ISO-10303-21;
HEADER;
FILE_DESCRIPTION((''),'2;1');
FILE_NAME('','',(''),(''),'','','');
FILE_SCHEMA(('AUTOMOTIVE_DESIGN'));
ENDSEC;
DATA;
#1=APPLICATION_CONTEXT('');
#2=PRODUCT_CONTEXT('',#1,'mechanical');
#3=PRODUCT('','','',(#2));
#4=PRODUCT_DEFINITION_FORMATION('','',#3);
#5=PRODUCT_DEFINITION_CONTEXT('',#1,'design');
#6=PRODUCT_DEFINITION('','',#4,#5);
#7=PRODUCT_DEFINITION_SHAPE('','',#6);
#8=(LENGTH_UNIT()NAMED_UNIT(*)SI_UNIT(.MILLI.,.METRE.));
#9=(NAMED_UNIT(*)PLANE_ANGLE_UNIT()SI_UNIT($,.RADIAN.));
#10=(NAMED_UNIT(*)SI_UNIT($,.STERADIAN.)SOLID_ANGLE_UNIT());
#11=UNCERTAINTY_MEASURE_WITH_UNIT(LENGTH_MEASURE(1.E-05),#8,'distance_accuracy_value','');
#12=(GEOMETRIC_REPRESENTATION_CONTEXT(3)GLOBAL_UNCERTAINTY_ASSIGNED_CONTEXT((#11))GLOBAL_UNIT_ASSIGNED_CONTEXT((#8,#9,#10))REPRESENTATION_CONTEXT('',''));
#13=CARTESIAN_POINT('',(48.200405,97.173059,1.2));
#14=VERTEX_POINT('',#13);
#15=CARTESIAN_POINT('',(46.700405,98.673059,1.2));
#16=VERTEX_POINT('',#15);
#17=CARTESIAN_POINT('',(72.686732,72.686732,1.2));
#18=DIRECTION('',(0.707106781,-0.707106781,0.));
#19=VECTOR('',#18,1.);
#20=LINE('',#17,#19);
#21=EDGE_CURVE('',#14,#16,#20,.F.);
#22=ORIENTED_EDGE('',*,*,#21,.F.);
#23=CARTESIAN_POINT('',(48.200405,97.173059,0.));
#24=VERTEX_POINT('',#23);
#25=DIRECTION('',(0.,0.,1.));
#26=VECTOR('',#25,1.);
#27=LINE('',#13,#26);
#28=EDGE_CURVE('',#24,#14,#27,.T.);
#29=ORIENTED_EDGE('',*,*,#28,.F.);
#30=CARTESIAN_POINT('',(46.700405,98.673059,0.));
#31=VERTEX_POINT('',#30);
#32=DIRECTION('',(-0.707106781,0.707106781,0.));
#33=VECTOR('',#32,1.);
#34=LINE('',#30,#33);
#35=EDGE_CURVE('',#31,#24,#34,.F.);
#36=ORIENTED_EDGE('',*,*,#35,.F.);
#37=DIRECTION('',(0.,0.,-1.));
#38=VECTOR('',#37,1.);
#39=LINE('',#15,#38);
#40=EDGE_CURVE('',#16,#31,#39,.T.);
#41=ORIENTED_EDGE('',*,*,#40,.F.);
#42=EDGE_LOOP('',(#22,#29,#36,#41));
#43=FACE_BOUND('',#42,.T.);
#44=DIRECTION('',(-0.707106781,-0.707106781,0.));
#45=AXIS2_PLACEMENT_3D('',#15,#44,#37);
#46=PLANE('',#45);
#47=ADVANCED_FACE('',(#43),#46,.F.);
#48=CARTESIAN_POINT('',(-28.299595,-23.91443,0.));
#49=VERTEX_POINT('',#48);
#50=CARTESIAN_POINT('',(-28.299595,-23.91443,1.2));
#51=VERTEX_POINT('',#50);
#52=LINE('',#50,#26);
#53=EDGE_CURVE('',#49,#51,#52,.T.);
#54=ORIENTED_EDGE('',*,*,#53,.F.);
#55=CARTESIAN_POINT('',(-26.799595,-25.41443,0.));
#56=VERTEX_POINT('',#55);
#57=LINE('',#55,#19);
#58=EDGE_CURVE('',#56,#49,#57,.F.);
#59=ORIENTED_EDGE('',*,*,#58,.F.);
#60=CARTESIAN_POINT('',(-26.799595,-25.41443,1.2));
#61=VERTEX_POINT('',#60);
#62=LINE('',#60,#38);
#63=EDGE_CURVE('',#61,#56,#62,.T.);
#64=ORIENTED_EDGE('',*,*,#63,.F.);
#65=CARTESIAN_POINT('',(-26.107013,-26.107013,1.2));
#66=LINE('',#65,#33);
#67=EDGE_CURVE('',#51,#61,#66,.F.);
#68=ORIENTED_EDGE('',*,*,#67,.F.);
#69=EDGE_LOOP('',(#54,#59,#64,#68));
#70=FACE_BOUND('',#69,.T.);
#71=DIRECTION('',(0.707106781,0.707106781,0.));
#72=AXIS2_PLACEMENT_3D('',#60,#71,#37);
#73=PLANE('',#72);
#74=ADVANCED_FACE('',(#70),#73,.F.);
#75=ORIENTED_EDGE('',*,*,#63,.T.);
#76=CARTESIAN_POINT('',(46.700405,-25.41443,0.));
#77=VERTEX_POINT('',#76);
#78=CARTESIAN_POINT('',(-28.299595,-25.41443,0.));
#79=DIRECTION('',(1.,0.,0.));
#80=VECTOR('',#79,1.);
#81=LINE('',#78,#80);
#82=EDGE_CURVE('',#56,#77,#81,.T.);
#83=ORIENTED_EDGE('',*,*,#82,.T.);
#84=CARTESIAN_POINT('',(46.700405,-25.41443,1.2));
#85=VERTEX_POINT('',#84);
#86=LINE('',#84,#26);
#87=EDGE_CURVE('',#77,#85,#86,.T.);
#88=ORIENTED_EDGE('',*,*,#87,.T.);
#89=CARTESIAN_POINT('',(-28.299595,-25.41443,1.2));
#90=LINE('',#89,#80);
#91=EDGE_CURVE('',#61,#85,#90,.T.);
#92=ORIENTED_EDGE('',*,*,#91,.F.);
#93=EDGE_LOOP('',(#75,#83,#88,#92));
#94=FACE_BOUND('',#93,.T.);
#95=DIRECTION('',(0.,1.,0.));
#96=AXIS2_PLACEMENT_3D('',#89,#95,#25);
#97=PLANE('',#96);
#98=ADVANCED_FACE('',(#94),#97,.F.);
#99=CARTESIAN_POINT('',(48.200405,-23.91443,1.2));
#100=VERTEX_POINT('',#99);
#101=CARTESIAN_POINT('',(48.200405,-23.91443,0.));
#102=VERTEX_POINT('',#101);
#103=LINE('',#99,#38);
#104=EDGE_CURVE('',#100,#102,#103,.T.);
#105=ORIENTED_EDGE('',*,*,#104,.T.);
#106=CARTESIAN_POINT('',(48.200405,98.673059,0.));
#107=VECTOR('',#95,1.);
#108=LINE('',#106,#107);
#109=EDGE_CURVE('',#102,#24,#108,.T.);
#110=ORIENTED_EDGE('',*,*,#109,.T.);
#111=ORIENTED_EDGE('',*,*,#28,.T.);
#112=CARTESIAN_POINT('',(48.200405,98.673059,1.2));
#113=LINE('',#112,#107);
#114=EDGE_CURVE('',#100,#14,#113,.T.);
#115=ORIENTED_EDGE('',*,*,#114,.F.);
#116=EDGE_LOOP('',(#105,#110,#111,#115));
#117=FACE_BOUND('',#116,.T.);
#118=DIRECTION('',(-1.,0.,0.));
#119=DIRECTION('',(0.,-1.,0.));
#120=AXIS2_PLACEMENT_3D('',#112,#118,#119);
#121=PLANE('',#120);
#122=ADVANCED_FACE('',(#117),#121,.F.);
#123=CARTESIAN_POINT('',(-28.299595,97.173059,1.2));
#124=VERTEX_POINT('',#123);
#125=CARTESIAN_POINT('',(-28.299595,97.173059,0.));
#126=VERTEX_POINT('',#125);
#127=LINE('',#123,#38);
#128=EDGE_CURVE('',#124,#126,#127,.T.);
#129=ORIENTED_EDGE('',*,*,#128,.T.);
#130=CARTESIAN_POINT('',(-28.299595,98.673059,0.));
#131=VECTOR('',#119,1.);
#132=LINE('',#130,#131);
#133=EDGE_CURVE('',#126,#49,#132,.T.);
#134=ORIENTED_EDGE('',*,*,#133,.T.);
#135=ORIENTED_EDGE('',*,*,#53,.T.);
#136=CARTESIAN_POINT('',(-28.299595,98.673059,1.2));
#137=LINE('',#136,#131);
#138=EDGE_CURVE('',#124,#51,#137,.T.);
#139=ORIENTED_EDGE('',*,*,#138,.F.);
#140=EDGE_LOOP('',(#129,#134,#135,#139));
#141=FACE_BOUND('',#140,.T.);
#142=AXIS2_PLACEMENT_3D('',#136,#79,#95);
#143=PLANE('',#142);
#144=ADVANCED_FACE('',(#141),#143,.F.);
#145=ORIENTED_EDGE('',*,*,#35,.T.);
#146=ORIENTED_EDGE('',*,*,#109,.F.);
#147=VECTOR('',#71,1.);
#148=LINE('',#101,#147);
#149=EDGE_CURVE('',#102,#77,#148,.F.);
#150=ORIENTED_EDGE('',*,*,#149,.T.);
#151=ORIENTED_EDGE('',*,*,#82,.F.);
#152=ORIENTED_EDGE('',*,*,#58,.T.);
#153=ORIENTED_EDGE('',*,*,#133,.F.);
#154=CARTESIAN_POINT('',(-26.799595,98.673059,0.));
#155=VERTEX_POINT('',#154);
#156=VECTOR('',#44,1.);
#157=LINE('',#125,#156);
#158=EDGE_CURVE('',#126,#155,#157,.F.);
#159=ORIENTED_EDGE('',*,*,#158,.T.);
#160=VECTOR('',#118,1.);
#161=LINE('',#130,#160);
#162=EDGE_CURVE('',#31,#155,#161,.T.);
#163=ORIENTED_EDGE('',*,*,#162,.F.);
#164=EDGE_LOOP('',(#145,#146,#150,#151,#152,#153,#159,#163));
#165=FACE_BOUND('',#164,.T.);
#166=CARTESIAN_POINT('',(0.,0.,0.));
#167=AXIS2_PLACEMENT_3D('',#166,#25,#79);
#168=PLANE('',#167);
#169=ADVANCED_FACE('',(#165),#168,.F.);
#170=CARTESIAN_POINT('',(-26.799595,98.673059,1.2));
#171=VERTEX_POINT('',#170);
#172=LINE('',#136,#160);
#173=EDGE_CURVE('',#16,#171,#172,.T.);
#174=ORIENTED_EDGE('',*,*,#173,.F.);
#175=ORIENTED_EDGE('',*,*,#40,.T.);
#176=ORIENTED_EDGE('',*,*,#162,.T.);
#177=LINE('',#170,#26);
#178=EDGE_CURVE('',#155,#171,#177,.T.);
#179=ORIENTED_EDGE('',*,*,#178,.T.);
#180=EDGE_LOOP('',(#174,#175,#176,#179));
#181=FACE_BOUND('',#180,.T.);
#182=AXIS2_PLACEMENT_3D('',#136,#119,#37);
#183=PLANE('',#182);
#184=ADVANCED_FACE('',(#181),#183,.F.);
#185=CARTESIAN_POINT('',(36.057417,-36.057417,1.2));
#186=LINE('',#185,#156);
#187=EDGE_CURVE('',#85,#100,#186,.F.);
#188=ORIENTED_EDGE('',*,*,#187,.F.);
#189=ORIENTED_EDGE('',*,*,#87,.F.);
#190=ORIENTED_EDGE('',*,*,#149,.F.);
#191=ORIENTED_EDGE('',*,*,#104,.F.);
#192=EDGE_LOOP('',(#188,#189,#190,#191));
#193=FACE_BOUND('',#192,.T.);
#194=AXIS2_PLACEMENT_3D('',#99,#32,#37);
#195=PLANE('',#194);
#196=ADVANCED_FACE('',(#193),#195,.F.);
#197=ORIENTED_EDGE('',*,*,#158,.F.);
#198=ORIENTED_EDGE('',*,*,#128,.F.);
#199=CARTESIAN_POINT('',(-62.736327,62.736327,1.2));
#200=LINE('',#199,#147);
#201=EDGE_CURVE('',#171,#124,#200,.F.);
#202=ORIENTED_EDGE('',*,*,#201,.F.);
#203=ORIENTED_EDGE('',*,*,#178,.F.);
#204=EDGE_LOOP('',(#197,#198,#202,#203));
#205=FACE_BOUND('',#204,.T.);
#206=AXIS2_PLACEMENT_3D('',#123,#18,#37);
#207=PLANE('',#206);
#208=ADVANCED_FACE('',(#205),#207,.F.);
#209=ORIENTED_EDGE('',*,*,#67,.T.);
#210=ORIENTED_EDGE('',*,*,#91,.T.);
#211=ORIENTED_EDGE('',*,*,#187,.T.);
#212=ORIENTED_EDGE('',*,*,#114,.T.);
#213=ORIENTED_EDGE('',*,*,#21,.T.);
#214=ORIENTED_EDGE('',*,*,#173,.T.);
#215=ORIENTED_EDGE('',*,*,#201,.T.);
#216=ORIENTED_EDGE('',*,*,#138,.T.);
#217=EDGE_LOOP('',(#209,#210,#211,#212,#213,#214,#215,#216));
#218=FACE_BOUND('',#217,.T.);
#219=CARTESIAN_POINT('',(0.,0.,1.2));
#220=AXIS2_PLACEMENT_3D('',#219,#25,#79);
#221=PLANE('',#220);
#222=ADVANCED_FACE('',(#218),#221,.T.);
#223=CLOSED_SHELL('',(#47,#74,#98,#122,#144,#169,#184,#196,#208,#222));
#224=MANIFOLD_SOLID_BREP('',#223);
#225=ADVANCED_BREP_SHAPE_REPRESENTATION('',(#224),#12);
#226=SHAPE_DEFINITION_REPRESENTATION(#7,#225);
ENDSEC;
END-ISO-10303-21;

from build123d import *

# Parameters (mm, degrees)
SKETCH_1_W      = 76.5
SKETCH_1_H      = 124.087488664
EXTRUDE_1_DEPTH = 1.2
CHAMFER_1_SIZE  = 1.5


with BuildPart() as part:
    # 草图1 → 凸台-拉伸1 (new body)
    with BuildSketch(Plane.XY):
        with Locations((9.950404768, 36.629314437)):
            Rectangle(SKETCH_1_W, SKETCH_1_H)
    extrude(amount=EXTRUDE_1_DEPTH)

    # 倒角1
    chamfer_1_edges = [part.edges().sort_by_distance(p)[0] for p in [
        (48.200404768, -25.414429895, 0.6),
        (-28.299595232, -25.414429895, 0.6),
        (-28.299595232, 98.673058769, 0.6),
        (48.200404768, 98.673058769, 0.6),
    ]]
    chamfer(chamfer_1_edges, length=CHAMFER_1_SIZE)


solid = part.part
